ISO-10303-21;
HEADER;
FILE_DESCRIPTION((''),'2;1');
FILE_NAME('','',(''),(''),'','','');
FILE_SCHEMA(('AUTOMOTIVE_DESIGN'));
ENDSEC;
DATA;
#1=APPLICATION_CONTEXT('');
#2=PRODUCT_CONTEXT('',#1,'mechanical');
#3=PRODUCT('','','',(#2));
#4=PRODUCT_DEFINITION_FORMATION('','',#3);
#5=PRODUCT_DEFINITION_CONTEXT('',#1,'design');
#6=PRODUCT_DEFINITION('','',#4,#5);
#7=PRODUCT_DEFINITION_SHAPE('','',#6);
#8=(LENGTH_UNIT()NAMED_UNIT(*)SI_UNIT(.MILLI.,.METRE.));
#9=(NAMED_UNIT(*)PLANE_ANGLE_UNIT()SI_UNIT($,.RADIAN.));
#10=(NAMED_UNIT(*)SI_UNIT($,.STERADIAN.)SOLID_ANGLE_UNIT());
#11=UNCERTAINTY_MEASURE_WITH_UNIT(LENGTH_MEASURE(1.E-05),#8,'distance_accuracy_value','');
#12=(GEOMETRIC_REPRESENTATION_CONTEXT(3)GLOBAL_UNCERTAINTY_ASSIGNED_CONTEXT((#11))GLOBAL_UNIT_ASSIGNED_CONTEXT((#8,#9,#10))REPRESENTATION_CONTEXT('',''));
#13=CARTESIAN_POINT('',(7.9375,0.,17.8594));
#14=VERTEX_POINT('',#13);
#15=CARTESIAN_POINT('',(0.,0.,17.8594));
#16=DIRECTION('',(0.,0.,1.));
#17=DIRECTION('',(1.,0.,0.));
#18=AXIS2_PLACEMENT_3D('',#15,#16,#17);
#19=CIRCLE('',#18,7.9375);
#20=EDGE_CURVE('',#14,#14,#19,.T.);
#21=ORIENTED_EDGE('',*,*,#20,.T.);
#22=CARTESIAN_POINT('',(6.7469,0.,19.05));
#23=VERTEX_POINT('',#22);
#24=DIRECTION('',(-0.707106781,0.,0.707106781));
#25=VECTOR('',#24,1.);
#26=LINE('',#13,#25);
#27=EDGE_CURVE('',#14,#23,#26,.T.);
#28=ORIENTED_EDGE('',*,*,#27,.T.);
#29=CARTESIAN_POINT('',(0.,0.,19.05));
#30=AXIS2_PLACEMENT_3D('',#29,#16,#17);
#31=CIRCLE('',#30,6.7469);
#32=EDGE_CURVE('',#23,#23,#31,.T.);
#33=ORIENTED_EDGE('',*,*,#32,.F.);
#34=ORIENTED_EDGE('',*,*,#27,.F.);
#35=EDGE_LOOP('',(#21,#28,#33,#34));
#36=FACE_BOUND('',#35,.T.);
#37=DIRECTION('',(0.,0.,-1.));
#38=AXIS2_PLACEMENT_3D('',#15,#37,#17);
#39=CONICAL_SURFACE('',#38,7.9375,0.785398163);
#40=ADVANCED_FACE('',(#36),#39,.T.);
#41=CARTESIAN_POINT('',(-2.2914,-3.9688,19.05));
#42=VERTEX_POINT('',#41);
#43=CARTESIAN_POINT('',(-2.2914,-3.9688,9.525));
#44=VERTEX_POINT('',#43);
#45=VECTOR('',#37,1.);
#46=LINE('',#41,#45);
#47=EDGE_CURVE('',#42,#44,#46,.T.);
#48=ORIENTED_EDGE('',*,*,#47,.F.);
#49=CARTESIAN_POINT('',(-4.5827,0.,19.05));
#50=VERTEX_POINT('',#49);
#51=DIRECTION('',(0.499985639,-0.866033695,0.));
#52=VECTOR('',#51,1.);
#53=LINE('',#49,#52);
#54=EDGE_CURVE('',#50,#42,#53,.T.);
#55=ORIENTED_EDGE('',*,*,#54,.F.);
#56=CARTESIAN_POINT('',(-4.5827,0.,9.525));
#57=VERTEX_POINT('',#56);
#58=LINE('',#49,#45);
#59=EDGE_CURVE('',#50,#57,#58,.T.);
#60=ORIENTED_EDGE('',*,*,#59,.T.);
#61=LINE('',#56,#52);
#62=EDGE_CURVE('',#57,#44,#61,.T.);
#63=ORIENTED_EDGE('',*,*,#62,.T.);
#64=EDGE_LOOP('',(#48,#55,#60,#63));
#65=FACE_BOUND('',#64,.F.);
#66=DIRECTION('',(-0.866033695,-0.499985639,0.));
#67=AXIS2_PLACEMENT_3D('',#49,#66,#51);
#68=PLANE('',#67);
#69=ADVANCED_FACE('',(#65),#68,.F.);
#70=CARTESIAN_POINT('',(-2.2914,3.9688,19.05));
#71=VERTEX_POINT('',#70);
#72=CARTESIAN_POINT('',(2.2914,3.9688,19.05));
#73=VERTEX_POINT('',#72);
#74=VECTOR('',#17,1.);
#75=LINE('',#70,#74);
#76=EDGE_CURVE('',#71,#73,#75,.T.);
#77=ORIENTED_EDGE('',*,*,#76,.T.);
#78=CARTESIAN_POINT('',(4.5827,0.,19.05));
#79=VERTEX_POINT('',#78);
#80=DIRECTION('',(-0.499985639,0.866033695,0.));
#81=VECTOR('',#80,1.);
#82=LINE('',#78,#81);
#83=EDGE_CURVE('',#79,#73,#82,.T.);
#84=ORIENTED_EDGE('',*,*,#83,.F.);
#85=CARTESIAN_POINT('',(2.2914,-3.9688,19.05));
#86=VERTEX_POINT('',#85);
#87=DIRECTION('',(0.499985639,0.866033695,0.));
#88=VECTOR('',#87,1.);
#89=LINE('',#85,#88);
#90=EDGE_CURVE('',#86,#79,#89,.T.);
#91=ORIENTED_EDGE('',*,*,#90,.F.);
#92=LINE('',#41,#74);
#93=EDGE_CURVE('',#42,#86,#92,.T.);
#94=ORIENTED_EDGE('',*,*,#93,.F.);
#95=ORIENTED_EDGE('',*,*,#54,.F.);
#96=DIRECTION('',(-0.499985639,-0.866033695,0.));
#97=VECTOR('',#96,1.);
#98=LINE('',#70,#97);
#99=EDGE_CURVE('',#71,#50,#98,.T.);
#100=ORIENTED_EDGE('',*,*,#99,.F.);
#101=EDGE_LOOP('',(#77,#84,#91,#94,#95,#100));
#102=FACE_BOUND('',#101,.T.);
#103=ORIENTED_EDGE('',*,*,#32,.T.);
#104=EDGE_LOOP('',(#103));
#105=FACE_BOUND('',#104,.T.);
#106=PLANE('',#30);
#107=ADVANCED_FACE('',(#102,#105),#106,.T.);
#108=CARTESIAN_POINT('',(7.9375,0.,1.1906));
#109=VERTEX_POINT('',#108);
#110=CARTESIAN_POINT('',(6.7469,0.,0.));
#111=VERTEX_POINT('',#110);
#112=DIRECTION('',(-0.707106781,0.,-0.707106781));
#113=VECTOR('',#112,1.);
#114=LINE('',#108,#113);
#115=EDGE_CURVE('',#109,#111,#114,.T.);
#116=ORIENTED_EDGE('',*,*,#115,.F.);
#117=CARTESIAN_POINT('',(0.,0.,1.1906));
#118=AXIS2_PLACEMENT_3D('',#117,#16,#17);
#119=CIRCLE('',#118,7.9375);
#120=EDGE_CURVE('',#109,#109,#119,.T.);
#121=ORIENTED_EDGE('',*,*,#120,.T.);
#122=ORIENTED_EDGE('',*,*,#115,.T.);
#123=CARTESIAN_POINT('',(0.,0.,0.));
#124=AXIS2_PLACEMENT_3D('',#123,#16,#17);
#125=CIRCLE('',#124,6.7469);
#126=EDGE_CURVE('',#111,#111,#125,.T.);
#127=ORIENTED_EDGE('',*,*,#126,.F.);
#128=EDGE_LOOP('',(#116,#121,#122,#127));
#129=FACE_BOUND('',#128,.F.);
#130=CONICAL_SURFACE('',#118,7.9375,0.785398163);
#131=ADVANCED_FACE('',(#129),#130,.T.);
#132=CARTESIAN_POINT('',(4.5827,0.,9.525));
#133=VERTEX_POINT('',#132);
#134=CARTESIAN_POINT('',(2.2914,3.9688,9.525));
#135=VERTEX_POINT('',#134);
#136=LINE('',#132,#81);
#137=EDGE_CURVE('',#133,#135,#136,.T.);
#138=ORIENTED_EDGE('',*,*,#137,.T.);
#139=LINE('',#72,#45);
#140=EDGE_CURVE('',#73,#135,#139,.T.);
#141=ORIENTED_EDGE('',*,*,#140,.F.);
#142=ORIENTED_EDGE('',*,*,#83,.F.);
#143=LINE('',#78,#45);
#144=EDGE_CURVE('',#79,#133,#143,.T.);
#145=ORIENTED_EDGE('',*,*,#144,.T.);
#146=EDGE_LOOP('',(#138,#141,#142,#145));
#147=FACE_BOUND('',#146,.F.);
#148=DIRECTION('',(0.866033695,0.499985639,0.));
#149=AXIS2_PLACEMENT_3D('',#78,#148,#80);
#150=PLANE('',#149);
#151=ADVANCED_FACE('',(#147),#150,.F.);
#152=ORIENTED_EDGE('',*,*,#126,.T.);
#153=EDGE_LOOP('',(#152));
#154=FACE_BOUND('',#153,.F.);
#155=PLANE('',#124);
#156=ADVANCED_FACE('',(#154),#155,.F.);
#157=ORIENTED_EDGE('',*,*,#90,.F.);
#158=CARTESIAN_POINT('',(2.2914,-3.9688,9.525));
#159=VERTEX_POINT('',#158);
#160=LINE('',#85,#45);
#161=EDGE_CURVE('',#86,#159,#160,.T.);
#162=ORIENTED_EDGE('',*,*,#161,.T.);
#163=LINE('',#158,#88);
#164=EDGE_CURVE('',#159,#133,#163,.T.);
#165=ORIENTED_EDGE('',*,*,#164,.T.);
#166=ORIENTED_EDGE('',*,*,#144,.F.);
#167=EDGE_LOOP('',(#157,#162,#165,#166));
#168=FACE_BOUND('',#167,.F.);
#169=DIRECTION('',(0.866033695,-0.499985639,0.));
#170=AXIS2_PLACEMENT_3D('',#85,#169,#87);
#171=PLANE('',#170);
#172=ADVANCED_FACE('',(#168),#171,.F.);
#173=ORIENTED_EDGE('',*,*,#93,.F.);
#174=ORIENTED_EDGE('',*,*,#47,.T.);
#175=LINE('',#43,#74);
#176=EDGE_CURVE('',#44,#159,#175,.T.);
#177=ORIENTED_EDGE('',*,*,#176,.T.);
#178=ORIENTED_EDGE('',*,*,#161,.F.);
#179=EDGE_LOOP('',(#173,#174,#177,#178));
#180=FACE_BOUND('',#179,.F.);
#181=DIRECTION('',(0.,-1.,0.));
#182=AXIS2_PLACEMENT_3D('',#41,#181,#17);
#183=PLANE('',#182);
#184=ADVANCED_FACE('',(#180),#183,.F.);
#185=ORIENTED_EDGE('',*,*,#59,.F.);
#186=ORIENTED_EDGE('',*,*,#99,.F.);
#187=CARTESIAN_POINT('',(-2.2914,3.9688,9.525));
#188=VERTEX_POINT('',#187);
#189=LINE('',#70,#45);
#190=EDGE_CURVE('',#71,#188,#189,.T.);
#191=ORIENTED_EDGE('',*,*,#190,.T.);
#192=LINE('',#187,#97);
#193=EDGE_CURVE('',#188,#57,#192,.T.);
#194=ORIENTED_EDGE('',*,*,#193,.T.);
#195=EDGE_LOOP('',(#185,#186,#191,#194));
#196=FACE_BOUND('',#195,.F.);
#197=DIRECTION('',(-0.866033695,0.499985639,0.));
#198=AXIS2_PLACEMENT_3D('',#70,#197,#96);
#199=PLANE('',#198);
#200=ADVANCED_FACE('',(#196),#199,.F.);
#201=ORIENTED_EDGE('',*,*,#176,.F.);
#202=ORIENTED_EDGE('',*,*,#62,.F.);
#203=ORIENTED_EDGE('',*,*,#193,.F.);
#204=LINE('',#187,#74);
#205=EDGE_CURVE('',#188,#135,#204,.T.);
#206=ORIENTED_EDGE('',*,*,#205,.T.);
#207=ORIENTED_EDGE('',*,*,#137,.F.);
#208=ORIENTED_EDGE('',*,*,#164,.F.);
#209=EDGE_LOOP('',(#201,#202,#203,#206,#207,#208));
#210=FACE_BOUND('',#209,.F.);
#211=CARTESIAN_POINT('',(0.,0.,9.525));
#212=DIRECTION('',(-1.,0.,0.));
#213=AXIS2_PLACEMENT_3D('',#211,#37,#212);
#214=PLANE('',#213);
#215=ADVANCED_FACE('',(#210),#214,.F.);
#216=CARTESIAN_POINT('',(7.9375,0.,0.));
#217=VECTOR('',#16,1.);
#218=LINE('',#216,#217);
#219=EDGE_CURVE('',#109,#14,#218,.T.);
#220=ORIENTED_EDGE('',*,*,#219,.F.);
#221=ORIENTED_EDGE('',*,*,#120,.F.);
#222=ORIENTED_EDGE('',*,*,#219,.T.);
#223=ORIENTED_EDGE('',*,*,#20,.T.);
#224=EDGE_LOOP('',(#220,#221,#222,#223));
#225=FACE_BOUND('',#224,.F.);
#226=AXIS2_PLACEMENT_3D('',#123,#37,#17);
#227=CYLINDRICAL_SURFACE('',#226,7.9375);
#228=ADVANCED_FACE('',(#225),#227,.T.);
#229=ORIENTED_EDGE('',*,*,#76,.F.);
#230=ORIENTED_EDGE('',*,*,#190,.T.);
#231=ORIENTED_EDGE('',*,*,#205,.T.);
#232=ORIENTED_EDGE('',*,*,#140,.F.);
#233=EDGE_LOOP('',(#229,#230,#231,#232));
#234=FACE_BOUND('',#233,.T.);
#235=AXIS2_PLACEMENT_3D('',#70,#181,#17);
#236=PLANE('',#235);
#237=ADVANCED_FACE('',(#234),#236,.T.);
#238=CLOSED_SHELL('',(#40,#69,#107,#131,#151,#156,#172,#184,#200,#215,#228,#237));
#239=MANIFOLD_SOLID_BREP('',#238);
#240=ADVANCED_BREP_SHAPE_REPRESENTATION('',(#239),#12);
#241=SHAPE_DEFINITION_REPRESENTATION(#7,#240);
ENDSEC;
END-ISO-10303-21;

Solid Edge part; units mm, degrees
sketch "Sketch1" plane through (0, 0, 0) normal (0, 0, 1) x (1, 0, 0)
  circle A0 centre (0, 0) radius 7.9375
  dimension "D1" = 15.875
extrude "Protrusion1" add sketch "Sketch1" along normal blind 19.05
chamfer "Chamfer1" distance 1.1906 angle 45 2 edges at (-7.9375, 0, 0) (-7.9375, 0, 19.05)
sketch "Sketch2" plane through (0, 0, 19.05) normal (0, 0, 1) x (1, 0, 0)
  line L0 (-2.2914, 3.9688) -> (2.2914, 3.9688)
  line L1 (4.5827, 0) -> (2.2914, 3.9687)
  line L2 (2.2914, -3.9688) -> (4.5827, 0)
  line L3 (-2.2914, -3.9688) -> (2.2914, -3.9688)
  line L4 (-4.5827, 0) -> (-2.2914, -3.9688)
  line L5 (-2.2914, 3.9687) -> (-4.5827, 0)
  dimension "D1" = 7.9375
extrude "Cutout1" cut sketch "Sketch2" against normal blind 9.525
properties part number "116405"
